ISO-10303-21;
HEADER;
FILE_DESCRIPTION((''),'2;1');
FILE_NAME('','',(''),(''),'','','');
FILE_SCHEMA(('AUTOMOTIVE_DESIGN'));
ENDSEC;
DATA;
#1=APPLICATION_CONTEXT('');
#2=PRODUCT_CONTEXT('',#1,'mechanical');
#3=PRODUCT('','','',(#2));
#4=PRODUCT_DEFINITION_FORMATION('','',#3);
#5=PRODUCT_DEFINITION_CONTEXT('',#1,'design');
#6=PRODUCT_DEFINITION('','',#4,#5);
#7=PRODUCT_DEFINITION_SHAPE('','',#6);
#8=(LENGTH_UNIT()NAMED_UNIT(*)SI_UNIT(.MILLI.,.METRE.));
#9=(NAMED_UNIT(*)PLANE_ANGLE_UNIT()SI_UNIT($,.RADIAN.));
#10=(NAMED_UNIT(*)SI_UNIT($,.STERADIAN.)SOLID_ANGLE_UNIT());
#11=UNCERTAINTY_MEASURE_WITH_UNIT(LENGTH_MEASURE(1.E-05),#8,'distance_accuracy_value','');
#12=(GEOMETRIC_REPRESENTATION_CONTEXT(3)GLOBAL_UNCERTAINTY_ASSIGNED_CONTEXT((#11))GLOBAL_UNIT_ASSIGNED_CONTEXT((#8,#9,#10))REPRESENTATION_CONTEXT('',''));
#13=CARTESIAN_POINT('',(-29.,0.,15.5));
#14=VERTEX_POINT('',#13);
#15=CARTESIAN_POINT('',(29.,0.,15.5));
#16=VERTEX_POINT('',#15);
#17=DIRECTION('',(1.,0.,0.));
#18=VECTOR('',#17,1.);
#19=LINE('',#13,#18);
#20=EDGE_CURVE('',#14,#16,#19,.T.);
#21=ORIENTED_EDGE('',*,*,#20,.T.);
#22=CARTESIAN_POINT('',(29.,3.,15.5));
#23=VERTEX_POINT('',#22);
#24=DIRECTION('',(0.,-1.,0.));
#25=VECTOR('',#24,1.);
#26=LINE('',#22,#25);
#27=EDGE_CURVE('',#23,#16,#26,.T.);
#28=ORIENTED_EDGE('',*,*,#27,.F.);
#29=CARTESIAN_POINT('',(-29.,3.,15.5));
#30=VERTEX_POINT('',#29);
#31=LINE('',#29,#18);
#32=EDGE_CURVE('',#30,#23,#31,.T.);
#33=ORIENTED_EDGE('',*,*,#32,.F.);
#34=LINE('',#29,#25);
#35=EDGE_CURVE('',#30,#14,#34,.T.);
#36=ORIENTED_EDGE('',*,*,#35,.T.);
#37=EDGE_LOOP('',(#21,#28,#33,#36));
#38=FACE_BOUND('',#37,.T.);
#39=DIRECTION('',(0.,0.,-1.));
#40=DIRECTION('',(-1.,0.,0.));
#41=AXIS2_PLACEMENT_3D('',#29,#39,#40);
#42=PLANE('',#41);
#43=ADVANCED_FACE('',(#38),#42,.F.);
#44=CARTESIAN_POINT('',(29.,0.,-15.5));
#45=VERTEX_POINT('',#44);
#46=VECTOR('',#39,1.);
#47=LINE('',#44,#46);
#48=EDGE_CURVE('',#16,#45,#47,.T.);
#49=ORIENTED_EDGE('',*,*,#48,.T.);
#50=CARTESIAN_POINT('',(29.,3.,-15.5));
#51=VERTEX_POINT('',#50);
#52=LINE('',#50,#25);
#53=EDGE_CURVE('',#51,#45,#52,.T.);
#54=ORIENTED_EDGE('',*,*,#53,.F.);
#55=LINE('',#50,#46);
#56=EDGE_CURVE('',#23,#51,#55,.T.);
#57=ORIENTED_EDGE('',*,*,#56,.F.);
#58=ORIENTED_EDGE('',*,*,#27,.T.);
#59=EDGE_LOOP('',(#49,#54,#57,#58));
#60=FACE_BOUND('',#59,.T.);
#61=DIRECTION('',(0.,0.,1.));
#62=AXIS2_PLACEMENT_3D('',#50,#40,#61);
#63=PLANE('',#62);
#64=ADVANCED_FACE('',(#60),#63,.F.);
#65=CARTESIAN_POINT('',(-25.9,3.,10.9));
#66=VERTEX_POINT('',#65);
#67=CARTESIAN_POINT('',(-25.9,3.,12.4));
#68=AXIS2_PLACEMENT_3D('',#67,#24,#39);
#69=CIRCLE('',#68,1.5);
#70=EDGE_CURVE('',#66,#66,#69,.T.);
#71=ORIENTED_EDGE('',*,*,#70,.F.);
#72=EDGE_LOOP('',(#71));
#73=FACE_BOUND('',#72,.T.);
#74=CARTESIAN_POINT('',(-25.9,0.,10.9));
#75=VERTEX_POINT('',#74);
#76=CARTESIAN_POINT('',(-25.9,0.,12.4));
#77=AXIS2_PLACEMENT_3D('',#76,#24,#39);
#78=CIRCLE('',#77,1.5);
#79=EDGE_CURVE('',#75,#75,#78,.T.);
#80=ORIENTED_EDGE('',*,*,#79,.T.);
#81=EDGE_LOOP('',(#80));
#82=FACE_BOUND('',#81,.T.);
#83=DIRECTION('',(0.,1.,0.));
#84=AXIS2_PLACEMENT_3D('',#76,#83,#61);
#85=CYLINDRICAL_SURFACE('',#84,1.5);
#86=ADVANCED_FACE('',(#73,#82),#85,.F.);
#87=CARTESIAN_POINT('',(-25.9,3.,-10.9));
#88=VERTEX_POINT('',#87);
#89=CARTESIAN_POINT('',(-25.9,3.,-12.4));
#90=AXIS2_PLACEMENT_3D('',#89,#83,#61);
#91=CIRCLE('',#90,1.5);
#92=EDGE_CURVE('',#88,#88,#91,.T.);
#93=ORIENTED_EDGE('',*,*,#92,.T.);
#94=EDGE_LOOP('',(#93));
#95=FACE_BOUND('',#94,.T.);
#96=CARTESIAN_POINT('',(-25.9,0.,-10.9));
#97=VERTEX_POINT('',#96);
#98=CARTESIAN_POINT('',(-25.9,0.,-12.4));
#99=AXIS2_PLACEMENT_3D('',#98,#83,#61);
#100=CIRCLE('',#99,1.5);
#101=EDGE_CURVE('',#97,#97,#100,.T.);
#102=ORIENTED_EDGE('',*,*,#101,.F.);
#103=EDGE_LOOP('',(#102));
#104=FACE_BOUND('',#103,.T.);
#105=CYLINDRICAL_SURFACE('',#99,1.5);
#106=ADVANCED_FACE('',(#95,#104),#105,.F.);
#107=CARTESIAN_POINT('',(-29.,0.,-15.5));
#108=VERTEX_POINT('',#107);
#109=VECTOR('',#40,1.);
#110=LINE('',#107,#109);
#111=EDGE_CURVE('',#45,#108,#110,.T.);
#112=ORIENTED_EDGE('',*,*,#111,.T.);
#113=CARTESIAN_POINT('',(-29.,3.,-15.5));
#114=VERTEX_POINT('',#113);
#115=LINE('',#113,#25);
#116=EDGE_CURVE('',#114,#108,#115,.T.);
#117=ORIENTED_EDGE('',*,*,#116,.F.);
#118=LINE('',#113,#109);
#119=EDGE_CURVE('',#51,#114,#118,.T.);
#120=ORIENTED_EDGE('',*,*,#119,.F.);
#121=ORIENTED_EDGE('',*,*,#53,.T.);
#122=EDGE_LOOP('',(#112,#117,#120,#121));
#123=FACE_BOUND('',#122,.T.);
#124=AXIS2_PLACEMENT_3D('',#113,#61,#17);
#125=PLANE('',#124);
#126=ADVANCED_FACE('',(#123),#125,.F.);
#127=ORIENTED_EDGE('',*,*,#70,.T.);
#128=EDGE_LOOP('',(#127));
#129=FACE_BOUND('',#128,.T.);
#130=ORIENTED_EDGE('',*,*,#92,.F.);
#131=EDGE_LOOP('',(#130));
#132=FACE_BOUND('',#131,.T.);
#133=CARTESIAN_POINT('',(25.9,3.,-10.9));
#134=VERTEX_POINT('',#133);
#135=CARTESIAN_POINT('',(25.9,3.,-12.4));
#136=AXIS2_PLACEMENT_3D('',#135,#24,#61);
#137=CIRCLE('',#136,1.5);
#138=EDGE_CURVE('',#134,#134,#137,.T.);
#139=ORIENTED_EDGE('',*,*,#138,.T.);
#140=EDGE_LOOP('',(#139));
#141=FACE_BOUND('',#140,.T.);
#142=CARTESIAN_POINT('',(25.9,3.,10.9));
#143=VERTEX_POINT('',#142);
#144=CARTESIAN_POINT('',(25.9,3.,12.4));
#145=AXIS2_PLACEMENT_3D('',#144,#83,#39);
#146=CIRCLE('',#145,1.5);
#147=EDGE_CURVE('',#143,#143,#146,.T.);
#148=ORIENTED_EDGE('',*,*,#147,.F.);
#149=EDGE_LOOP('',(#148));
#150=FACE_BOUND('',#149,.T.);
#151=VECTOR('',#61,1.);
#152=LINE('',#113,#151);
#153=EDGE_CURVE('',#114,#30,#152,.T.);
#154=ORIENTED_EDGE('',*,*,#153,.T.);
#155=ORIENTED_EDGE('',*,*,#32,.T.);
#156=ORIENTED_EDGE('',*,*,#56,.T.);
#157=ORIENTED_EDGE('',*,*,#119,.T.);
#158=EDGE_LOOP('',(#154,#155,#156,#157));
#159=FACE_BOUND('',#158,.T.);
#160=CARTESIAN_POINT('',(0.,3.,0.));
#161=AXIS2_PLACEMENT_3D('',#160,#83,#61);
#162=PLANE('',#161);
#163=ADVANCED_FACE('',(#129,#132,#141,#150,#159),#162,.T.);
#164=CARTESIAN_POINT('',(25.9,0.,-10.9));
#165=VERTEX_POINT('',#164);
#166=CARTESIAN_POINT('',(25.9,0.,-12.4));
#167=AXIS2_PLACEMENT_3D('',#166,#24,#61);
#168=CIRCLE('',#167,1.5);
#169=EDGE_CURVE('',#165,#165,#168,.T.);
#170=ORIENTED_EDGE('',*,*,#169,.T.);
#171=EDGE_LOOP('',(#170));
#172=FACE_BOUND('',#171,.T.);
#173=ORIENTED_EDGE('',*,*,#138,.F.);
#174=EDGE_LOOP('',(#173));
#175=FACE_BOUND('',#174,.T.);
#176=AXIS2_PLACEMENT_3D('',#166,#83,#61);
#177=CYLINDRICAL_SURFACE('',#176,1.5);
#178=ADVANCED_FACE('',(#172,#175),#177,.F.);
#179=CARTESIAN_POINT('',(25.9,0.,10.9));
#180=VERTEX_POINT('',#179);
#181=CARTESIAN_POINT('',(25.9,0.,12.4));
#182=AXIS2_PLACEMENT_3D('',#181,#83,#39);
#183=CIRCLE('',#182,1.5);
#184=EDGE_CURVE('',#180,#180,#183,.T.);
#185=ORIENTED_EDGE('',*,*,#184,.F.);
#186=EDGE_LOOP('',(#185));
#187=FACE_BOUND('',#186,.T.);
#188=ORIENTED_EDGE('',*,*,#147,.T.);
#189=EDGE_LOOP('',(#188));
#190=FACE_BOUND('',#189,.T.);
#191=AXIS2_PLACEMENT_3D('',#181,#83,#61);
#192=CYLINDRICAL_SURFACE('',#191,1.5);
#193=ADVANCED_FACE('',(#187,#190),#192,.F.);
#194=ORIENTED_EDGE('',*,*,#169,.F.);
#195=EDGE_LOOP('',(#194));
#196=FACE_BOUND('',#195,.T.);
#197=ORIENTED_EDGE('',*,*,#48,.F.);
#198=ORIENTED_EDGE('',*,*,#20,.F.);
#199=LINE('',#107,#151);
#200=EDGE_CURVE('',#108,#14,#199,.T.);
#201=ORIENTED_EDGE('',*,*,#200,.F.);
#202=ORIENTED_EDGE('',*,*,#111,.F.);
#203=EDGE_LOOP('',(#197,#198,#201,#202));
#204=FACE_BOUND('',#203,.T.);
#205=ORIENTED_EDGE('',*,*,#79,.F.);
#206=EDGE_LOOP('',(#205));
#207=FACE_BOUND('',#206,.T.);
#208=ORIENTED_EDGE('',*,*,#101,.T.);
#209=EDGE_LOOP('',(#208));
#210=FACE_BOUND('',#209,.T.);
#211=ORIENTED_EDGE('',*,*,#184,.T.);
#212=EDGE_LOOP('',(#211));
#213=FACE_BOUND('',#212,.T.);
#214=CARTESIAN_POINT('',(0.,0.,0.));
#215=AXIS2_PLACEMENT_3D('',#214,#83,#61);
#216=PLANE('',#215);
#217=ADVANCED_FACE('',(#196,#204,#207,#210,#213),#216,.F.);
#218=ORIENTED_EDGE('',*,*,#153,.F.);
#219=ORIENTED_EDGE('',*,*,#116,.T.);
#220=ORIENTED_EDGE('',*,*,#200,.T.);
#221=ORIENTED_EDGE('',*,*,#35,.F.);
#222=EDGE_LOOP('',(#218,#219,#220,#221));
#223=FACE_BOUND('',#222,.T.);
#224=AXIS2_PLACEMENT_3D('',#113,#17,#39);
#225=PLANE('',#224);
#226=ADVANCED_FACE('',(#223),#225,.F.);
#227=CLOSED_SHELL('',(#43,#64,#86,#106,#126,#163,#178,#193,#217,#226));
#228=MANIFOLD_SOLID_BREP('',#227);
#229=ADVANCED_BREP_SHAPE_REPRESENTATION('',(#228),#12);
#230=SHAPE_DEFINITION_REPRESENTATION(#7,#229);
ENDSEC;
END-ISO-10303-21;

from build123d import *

# Parameters (mm, degrees)
SKETCH1_W               = 58
SKETCH1_H               = 31
BOSS_EXTRUDE1_DEPTH     = 3
SKETCH2_R               = 1.5
CUT_EXTRUDE1_DEPTH      = 34.018933962
MIRROR2_COPY_1_SKETCH_R = 1.5
MIRROR2_COPY_1_DEPTH    = 34.018933962


with BuildPart() as part:
    # Sketch1 → Boss-Extrude1 (new body)
    with BuildSketch(Plane(origin=(0, 0, 0), x_dir=(1, 0, 0), z_dir=(0, 1, 0))):
        Rectangle(SKETCH1_W, SKETCH1_H)
    extrude(amount=BOSS_EXTRUDE1_DEPTH)

    # Sketch2 → Cut-Extrude1 (cut, through all)
    with BuildSketch(Plane(origin=(0, 3, 0), x_dir=(1, 0, 0), z_dir=(0, 1, 0))):
        with Locations(Location((-25.9, 12.4, 0), (0, 0, 270))):
            Circle(SKETCH2_R)
    cut_extrude1 = extrude(amount=-CUT_EXTRUDE1_DEPTH, mode=Mode.SUBTRACT)

    # Mirror1: Cut-Extrude1 across plane
    add(cut_extrude1.mirror(Plane.XY), mode=Mode.SUBTRACT)

    # Mirror2: Cut-Extrude1 across plane
    add(cut_extrude1.mirror(Plane(origin=(0, 0, 0), x_dir=(0, 0, 1), z_dir=(1, 0, 0))), mode=Mode.SUBTRACT)

    # Mirror2 copy 1 sketch → Mirror2 copy 1 (cut, through all)
    with BuildSketch(Plane(origin=(0, 3, 0), x_dir=(-1, 0, 0), z_dir=(0, 1, 0))):
        with Locations(Location((-25.9, 12.4, 0), (0, 0, 270))):
            Circle(MIRROR2_COPY_1_SKETCH_R)
    extrude(amount=-MIRROR2_COPY_1_DEPTH, mode=Mode.SUBTRACT)


solid = part.part
